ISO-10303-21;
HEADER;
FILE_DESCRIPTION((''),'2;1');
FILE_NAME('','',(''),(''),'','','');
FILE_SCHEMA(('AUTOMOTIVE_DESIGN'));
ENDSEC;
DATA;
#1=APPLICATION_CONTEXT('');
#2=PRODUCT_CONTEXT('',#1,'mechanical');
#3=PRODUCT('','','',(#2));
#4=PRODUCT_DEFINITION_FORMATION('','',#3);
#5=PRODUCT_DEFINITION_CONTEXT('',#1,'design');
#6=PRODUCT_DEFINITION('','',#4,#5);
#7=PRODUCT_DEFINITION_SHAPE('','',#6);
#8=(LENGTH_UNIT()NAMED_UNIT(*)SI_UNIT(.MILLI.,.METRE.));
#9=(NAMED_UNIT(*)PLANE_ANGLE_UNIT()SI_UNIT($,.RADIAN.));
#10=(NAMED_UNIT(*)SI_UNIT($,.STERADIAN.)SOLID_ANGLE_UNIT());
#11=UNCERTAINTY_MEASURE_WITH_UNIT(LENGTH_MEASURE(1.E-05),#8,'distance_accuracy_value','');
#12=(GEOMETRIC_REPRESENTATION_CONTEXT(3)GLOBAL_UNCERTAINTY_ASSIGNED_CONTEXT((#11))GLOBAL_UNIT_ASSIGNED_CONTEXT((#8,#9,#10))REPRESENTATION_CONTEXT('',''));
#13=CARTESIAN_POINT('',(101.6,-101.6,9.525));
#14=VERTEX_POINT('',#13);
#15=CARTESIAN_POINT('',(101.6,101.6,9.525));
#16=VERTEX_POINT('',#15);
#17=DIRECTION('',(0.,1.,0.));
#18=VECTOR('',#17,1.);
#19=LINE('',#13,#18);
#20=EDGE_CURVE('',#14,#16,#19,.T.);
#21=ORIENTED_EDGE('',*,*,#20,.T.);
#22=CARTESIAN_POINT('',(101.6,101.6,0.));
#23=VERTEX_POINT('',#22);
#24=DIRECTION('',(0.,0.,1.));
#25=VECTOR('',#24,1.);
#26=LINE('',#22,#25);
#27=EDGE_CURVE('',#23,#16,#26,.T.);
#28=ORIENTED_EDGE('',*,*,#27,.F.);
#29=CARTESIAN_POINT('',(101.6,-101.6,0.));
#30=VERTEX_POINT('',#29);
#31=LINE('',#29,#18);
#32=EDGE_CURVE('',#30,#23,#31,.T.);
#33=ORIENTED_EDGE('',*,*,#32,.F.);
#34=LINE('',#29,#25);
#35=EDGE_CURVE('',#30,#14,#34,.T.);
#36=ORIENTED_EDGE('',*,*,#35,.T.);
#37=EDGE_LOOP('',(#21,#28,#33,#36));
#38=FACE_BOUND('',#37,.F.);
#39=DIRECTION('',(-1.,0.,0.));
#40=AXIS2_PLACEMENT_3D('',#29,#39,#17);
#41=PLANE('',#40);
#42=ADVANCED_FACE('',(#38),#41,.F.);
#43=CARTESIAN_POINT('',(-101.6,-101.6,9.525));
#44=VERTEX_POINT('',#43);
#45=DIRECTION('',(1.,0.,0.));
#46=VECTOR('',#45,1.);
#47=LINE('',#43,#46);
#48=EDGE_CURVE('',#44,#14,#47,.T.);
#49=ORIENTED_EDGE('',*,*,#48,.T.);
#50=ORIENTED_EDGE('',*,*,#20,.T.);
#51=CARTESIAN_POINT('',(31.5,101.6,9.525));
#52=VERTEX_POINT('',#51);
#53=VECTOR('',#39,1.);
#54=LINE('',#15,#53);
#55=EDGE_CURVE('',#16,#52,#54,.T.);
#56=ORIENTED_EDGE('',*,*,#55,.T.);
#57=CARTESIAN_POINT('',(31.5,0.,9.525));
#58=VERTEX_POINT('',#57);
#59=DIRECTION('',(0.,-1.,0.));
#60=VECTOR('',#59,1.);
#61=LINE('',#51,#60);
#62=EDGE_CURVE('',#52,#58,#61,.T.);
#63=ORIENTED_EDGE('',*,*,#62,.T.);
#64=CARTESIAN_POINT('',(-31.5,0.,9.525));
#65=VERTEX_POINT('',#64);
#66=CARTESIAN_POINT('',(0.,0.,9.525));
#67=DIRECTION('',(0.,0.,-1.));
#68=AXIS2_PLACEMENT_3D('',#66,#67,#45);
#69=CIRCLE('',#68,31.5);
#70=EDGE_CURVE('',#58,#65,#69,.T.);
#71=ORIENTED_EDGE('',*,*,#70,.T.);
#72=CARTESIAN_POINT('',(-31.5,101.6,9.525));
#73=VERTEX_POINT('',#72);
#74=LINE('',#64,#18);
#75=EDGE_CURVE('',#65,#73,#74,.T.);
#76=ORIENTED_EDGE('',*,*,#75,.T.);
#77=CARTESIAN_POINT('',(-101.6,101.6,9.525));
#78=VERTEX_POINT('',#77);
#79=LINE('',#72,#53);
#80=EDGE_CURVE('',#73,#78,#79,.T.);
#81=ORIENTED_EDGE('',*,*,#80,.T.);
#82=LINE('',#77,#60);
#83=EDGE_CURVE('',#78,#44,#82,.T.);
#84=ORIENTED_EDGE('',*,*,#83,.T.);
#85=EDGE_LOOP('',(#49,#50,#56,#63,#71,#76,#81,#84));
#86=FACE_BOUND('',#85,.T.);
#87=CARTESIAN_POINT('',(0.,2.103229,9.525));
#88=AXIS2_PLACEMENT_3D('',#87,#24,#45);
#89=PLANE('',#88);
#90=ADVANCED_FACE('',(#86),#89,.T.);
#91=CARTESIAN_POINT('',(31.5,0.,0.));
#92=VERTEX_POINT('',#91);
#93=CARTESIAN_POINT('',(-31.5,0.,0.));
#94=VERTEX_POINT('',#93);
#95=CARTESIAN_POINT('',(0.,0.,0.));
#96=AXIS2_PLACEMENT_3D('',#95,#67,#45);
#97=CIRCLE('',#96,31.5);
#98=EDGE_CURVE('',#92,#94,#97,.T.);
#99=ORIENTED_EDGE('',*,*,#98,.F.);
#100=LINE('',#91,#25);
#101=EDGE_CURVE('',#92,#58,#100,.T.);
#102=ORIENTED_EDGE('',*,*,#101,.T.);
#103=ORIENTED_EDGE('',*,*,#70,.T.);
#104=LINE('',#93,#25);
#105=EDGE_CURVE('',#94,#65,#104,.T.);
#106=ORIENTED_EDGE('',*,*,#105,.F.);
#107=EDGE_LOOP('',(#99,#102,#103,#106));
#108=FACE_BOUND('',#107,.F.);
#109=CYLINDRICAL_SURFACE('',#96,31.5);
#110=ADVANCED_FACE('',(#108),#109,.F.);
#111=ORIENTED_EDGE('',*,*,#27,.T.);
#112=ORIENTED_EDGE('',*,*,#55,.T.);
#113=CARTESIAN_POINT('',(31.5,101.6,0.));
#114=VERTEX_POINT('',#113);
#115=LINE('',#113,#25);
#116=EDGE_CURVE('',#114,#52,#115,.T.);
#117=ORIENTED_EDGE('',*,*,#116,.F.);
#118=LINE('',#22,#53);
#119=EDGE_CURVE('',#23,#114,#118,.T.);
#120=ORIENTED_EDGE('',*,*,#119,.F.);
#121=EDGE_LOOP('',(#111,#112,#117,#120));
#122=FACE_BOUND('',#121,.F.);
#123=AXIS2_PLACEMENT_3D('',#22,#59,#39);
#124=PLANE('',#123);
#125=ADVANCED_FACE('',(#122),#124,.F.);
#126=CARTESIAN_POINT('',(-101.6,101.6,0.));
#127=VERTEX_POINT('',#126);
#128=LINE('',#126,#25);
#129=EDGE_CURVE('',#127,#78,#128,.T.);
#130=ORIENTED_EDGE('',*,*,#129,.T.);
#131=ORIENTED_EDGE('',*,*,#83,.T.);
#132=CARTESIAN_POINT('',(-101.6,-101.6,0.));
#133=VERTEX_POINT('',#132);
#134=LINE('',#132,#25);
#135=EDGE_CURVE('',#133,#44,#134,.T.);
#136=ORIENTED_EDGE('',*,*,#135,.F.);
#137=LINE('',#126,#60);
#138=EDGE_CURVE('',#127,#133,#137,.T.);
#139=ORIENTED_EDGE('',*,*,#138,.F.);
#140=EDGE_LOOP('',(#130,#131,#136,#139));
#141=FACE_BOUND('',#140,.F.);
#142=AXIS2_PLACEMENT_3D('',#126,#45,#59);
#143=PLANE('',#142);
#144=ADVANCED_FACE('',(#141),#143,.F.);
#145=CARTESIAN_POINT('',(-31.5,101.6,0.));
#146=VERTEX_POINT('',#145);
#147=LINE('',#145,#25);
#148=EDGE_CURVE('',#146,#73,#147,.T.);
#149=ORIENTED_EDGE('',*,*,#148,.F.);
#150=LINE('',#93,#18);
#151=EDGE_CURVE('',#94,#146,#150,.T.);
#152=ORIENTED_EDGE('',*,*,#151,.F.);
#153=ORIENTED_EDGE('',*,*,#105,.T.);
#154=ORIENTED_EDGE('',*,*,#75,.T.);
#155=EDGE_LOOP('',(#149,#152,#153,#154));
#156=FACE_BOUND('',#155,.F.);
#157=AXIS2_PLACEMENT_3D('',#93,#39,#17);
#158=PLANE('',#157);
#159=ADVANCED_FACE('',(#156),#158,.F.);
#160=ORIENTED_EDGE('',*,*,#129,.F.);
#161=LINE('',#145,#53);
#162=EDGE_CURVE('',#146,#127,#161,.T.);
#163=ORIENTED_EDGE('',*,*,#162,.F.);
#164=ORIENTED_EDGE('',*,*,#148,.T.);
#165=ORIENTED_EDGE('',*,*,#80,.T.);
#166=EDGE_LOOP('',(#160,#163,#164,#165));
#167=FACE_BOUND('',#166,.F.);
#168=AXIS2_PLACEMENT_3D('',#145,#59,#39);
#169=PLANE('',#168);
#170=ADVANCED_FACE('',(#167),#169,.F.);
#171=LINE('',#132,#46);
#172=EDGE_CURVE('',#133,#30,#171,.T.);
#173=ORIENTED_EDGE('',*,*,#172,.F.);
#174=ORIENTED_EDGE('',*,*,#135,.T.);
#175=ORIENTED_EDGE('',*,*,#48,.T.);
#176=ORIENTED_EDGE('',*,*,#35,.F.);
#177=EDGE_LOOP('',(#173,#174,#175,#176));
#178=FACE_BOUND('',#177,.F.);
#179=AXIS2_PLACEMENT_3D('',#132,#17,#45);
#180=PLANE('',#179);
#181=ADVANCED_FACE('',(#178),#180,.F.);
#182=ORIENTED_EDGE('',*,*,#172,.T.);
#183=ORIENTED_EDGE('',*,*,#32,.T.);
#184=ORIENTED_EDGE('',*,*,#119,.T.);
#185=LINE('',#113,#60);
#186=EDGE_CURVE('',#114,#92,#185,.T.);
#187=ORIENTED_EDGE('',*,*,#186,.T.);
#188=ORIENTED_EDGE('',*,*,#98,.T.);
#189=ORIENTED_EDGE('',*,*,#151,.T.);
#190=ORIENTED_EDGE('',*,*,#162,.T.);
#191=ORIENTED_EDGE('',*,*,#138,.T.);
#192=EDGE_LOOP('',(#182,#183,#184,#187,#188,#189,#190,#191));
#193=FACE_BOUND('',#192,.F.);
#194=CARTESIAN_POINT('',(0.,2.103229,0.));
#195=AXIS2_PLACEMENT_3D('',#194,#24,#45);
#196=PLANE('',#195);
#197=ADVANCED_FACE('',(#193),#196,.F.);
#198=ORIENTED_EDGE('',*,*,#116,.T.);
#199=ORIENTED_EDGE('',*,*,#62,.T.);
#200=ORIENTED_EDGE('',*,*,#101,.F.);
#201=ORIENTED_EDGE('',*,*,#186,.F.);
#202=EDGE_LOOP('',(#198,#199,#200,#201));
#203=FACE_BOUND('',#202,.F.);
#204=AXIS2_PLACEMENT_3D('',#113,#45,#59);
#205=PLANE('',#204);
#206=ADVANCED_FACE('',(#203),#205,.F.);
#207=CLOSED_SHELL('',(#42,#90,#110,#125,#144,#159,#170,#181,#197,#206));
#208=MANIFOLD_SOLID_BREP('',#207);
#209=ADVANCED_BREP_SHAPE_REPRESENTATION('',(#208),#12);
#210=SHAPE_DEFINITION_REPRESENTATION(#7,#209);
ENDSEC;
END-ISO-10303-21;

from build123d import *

# Parameters (mm, degrees)
F1_DEPTH = 9.525


with BuildPart() as f1:
    # F0 (on Top) → F1 (new body)
    with BuildSketch(Plane.XY):
        with BuildLine():
            Line((-101.6, 101.6), (-101.6, -101.6))
            Line((-101.6, -101.6), (101.6, -101.6))
            Line((101.6, -101.6), (101.6, 101.6))
            Line((101.6, 101.6), (31.5, 101.6))
            Line((31.5, 101.6), (31.5, 0))
            ThreePointArc((31.5, 0), (0, -31.5), (-31.5, 0))
            Line((-31.5, 0), (-31.5, 101.6))
            Line((-31.5, 101.6), (-101.6, 101.6))
        make_face()
    extrude(amount=F1_DEPTH)


solid = f1.part
